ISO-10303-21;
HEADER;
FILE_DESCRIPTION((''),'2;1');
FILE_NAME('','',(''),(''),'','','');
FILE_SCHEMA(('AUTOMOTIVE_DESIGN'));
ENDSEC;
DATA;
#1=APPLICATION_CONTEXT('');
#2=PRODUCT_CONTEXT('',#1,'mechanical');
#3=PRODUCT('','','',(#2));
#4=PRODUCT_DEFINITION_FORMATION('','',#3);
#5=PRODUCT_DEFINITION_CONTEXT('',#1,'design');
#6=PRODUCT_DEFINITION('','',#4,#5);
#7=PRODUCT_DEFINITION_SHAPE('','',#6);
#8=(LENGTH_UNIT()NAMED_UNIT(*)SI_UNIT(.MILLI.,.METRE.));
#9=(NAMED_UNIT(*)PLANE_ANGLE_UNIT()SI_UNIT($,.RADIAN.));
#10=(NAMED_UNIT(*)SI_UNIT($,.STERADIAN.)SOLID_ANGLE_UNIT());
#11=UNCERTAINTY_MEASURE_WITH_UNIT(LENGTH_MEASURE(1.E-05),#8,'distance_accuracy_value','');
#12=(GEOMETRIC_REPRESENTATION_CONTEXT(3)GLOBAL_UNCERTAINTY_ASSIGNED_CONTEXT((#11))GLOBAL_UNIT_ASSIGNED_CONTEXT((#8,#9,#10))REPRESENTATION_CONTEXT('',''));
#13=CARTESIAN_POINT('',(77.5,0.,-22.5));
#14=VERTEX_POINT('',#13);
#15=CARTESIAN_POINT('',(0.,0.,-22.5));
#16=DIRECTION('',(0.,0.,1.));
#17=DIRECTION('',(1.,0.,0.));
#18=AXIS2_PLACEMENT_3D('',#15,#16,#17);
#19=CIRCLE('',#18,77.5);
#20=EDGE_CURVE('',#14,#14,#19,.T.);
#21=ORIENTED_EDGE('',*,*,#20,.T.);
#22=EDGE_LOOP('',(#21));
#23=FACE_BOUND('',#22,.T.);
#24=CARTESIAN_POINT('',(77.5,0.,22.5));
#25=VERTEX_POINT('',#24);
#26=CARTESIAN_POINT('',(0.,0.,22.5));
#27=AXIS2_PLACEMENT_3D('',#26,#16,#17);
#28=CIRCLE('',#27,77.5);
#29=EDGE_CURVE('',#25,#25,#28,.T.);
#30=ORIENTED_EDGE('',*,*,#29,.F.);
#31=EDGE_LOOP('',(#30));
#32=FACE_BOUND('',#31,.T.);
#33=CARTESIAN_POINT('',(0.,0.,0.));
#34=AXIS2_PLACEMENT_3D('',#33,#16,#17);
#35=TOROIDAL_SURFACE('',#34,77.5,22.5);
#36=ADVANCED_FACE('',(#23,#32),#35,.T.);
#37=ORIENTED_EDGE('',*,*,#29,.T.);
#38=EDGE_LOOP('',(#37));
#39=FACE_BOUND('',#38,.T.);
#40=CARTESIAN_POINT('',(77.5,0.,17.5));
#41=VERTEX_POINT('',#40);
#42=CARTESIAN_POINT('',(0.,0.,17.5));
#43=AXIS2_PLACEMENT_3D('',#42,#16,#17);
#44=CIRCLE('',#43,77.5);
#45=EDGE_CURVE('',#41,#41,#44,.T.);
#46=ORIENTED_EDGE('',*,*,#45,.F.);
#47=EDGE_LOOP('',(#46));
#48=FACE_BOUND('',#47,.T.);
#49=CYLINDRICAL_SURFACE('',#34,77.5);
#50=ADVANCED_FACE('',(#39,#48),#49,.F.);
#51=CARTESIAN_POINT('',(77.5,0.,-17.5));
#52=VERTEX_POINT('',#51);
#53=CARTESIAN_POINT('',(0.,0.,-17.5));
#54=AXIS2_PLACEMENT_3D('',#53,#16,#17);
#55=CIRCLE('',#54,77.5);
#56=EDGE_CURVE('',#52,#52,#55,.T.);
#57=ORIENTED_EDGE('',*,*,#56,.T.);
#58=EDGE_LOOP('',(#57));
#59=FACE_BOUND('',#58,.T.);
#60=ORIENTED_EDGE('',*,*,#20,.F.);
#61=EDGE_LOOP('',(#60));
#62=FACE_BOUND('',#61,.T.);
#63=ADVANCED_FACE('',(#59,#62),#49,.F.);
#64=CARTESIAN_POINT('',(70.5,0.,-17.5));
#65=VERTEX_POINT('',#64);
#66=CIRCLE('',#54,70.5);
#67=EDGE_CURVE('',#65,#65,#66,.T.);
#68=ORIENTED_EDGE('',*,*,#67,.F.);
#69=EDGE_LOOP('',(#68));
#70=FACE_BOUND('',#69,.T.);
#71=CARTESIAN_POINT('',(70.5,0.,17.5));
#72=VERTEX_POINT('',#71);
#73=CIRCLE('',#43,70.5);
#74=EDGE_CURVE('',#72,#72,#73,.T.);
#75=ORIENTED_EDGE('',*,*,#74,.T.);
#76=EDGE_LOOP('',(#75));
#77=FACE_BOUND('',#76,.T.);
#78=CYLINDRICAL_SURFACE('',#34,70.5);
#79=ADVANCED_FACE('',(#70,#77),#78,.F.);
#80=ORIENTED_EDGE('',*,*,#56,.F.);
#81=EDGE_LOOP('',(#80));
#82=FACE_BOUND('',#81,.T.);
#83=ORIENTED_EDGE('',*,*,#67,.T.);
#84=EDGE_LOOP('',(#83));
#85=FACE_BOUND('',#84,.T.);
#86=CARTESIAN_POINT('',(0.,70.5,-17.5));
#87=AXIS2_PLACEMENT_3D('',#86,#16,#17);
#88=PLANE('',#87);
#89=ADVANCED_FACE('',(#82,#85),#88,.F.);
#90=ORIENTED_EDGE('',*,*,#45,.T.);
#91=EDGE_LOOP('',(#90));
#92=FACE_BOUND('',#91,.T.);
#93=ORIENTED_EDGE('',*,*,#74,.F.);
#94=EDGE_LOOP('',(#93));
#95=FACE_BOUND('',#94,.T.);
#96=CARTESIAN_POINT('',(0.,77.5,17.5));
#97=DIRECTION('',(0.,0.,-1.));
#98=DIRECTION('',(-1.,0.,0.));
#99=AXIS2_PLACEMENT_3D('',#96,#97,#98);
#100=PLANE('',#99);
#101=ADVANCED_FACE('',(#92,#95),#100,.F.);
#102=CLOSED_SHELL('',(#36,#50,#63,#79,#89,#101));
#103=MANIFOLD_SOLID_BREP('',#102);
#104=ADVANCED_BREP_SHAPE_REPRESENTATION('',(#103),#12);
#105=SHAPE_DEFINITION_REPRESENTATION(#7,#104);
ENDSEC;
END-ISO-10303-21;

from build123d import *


with BuildPart() as part:
    # Sketch2 → Revolve1 (revolve)
    with BuildSketch(Plane(origin=(0, 0, 0), x_dir=(0, 0, -1), z_dir=(1, 0, 0)), mode=Mode.PRIVATE) as revolve1_sk:
        with BuildLine():
            Line((-22.5, 77.5), (-17.5, 77.5))
            Line((-17.5, 77.5), (-17.5, 70.5))
            Line((-17.5, 70.5), (17.5, 70.5))
            Line((17.5, 70.5), (17.5, 77.5))
            Line((17.5, 77.5), (22.5, 77.5))
            ThreePointArc((22.5, 77.5), (0, 100), (-22.5, 77.5))
        make_face()
    revolve(revolve1_sk.sketch.rotate(Axis((0, 0, 0), (0, 0, -1)), 90), axis=Axis((0, 0, 0), (0, 0, -1)))


solid = part.part
